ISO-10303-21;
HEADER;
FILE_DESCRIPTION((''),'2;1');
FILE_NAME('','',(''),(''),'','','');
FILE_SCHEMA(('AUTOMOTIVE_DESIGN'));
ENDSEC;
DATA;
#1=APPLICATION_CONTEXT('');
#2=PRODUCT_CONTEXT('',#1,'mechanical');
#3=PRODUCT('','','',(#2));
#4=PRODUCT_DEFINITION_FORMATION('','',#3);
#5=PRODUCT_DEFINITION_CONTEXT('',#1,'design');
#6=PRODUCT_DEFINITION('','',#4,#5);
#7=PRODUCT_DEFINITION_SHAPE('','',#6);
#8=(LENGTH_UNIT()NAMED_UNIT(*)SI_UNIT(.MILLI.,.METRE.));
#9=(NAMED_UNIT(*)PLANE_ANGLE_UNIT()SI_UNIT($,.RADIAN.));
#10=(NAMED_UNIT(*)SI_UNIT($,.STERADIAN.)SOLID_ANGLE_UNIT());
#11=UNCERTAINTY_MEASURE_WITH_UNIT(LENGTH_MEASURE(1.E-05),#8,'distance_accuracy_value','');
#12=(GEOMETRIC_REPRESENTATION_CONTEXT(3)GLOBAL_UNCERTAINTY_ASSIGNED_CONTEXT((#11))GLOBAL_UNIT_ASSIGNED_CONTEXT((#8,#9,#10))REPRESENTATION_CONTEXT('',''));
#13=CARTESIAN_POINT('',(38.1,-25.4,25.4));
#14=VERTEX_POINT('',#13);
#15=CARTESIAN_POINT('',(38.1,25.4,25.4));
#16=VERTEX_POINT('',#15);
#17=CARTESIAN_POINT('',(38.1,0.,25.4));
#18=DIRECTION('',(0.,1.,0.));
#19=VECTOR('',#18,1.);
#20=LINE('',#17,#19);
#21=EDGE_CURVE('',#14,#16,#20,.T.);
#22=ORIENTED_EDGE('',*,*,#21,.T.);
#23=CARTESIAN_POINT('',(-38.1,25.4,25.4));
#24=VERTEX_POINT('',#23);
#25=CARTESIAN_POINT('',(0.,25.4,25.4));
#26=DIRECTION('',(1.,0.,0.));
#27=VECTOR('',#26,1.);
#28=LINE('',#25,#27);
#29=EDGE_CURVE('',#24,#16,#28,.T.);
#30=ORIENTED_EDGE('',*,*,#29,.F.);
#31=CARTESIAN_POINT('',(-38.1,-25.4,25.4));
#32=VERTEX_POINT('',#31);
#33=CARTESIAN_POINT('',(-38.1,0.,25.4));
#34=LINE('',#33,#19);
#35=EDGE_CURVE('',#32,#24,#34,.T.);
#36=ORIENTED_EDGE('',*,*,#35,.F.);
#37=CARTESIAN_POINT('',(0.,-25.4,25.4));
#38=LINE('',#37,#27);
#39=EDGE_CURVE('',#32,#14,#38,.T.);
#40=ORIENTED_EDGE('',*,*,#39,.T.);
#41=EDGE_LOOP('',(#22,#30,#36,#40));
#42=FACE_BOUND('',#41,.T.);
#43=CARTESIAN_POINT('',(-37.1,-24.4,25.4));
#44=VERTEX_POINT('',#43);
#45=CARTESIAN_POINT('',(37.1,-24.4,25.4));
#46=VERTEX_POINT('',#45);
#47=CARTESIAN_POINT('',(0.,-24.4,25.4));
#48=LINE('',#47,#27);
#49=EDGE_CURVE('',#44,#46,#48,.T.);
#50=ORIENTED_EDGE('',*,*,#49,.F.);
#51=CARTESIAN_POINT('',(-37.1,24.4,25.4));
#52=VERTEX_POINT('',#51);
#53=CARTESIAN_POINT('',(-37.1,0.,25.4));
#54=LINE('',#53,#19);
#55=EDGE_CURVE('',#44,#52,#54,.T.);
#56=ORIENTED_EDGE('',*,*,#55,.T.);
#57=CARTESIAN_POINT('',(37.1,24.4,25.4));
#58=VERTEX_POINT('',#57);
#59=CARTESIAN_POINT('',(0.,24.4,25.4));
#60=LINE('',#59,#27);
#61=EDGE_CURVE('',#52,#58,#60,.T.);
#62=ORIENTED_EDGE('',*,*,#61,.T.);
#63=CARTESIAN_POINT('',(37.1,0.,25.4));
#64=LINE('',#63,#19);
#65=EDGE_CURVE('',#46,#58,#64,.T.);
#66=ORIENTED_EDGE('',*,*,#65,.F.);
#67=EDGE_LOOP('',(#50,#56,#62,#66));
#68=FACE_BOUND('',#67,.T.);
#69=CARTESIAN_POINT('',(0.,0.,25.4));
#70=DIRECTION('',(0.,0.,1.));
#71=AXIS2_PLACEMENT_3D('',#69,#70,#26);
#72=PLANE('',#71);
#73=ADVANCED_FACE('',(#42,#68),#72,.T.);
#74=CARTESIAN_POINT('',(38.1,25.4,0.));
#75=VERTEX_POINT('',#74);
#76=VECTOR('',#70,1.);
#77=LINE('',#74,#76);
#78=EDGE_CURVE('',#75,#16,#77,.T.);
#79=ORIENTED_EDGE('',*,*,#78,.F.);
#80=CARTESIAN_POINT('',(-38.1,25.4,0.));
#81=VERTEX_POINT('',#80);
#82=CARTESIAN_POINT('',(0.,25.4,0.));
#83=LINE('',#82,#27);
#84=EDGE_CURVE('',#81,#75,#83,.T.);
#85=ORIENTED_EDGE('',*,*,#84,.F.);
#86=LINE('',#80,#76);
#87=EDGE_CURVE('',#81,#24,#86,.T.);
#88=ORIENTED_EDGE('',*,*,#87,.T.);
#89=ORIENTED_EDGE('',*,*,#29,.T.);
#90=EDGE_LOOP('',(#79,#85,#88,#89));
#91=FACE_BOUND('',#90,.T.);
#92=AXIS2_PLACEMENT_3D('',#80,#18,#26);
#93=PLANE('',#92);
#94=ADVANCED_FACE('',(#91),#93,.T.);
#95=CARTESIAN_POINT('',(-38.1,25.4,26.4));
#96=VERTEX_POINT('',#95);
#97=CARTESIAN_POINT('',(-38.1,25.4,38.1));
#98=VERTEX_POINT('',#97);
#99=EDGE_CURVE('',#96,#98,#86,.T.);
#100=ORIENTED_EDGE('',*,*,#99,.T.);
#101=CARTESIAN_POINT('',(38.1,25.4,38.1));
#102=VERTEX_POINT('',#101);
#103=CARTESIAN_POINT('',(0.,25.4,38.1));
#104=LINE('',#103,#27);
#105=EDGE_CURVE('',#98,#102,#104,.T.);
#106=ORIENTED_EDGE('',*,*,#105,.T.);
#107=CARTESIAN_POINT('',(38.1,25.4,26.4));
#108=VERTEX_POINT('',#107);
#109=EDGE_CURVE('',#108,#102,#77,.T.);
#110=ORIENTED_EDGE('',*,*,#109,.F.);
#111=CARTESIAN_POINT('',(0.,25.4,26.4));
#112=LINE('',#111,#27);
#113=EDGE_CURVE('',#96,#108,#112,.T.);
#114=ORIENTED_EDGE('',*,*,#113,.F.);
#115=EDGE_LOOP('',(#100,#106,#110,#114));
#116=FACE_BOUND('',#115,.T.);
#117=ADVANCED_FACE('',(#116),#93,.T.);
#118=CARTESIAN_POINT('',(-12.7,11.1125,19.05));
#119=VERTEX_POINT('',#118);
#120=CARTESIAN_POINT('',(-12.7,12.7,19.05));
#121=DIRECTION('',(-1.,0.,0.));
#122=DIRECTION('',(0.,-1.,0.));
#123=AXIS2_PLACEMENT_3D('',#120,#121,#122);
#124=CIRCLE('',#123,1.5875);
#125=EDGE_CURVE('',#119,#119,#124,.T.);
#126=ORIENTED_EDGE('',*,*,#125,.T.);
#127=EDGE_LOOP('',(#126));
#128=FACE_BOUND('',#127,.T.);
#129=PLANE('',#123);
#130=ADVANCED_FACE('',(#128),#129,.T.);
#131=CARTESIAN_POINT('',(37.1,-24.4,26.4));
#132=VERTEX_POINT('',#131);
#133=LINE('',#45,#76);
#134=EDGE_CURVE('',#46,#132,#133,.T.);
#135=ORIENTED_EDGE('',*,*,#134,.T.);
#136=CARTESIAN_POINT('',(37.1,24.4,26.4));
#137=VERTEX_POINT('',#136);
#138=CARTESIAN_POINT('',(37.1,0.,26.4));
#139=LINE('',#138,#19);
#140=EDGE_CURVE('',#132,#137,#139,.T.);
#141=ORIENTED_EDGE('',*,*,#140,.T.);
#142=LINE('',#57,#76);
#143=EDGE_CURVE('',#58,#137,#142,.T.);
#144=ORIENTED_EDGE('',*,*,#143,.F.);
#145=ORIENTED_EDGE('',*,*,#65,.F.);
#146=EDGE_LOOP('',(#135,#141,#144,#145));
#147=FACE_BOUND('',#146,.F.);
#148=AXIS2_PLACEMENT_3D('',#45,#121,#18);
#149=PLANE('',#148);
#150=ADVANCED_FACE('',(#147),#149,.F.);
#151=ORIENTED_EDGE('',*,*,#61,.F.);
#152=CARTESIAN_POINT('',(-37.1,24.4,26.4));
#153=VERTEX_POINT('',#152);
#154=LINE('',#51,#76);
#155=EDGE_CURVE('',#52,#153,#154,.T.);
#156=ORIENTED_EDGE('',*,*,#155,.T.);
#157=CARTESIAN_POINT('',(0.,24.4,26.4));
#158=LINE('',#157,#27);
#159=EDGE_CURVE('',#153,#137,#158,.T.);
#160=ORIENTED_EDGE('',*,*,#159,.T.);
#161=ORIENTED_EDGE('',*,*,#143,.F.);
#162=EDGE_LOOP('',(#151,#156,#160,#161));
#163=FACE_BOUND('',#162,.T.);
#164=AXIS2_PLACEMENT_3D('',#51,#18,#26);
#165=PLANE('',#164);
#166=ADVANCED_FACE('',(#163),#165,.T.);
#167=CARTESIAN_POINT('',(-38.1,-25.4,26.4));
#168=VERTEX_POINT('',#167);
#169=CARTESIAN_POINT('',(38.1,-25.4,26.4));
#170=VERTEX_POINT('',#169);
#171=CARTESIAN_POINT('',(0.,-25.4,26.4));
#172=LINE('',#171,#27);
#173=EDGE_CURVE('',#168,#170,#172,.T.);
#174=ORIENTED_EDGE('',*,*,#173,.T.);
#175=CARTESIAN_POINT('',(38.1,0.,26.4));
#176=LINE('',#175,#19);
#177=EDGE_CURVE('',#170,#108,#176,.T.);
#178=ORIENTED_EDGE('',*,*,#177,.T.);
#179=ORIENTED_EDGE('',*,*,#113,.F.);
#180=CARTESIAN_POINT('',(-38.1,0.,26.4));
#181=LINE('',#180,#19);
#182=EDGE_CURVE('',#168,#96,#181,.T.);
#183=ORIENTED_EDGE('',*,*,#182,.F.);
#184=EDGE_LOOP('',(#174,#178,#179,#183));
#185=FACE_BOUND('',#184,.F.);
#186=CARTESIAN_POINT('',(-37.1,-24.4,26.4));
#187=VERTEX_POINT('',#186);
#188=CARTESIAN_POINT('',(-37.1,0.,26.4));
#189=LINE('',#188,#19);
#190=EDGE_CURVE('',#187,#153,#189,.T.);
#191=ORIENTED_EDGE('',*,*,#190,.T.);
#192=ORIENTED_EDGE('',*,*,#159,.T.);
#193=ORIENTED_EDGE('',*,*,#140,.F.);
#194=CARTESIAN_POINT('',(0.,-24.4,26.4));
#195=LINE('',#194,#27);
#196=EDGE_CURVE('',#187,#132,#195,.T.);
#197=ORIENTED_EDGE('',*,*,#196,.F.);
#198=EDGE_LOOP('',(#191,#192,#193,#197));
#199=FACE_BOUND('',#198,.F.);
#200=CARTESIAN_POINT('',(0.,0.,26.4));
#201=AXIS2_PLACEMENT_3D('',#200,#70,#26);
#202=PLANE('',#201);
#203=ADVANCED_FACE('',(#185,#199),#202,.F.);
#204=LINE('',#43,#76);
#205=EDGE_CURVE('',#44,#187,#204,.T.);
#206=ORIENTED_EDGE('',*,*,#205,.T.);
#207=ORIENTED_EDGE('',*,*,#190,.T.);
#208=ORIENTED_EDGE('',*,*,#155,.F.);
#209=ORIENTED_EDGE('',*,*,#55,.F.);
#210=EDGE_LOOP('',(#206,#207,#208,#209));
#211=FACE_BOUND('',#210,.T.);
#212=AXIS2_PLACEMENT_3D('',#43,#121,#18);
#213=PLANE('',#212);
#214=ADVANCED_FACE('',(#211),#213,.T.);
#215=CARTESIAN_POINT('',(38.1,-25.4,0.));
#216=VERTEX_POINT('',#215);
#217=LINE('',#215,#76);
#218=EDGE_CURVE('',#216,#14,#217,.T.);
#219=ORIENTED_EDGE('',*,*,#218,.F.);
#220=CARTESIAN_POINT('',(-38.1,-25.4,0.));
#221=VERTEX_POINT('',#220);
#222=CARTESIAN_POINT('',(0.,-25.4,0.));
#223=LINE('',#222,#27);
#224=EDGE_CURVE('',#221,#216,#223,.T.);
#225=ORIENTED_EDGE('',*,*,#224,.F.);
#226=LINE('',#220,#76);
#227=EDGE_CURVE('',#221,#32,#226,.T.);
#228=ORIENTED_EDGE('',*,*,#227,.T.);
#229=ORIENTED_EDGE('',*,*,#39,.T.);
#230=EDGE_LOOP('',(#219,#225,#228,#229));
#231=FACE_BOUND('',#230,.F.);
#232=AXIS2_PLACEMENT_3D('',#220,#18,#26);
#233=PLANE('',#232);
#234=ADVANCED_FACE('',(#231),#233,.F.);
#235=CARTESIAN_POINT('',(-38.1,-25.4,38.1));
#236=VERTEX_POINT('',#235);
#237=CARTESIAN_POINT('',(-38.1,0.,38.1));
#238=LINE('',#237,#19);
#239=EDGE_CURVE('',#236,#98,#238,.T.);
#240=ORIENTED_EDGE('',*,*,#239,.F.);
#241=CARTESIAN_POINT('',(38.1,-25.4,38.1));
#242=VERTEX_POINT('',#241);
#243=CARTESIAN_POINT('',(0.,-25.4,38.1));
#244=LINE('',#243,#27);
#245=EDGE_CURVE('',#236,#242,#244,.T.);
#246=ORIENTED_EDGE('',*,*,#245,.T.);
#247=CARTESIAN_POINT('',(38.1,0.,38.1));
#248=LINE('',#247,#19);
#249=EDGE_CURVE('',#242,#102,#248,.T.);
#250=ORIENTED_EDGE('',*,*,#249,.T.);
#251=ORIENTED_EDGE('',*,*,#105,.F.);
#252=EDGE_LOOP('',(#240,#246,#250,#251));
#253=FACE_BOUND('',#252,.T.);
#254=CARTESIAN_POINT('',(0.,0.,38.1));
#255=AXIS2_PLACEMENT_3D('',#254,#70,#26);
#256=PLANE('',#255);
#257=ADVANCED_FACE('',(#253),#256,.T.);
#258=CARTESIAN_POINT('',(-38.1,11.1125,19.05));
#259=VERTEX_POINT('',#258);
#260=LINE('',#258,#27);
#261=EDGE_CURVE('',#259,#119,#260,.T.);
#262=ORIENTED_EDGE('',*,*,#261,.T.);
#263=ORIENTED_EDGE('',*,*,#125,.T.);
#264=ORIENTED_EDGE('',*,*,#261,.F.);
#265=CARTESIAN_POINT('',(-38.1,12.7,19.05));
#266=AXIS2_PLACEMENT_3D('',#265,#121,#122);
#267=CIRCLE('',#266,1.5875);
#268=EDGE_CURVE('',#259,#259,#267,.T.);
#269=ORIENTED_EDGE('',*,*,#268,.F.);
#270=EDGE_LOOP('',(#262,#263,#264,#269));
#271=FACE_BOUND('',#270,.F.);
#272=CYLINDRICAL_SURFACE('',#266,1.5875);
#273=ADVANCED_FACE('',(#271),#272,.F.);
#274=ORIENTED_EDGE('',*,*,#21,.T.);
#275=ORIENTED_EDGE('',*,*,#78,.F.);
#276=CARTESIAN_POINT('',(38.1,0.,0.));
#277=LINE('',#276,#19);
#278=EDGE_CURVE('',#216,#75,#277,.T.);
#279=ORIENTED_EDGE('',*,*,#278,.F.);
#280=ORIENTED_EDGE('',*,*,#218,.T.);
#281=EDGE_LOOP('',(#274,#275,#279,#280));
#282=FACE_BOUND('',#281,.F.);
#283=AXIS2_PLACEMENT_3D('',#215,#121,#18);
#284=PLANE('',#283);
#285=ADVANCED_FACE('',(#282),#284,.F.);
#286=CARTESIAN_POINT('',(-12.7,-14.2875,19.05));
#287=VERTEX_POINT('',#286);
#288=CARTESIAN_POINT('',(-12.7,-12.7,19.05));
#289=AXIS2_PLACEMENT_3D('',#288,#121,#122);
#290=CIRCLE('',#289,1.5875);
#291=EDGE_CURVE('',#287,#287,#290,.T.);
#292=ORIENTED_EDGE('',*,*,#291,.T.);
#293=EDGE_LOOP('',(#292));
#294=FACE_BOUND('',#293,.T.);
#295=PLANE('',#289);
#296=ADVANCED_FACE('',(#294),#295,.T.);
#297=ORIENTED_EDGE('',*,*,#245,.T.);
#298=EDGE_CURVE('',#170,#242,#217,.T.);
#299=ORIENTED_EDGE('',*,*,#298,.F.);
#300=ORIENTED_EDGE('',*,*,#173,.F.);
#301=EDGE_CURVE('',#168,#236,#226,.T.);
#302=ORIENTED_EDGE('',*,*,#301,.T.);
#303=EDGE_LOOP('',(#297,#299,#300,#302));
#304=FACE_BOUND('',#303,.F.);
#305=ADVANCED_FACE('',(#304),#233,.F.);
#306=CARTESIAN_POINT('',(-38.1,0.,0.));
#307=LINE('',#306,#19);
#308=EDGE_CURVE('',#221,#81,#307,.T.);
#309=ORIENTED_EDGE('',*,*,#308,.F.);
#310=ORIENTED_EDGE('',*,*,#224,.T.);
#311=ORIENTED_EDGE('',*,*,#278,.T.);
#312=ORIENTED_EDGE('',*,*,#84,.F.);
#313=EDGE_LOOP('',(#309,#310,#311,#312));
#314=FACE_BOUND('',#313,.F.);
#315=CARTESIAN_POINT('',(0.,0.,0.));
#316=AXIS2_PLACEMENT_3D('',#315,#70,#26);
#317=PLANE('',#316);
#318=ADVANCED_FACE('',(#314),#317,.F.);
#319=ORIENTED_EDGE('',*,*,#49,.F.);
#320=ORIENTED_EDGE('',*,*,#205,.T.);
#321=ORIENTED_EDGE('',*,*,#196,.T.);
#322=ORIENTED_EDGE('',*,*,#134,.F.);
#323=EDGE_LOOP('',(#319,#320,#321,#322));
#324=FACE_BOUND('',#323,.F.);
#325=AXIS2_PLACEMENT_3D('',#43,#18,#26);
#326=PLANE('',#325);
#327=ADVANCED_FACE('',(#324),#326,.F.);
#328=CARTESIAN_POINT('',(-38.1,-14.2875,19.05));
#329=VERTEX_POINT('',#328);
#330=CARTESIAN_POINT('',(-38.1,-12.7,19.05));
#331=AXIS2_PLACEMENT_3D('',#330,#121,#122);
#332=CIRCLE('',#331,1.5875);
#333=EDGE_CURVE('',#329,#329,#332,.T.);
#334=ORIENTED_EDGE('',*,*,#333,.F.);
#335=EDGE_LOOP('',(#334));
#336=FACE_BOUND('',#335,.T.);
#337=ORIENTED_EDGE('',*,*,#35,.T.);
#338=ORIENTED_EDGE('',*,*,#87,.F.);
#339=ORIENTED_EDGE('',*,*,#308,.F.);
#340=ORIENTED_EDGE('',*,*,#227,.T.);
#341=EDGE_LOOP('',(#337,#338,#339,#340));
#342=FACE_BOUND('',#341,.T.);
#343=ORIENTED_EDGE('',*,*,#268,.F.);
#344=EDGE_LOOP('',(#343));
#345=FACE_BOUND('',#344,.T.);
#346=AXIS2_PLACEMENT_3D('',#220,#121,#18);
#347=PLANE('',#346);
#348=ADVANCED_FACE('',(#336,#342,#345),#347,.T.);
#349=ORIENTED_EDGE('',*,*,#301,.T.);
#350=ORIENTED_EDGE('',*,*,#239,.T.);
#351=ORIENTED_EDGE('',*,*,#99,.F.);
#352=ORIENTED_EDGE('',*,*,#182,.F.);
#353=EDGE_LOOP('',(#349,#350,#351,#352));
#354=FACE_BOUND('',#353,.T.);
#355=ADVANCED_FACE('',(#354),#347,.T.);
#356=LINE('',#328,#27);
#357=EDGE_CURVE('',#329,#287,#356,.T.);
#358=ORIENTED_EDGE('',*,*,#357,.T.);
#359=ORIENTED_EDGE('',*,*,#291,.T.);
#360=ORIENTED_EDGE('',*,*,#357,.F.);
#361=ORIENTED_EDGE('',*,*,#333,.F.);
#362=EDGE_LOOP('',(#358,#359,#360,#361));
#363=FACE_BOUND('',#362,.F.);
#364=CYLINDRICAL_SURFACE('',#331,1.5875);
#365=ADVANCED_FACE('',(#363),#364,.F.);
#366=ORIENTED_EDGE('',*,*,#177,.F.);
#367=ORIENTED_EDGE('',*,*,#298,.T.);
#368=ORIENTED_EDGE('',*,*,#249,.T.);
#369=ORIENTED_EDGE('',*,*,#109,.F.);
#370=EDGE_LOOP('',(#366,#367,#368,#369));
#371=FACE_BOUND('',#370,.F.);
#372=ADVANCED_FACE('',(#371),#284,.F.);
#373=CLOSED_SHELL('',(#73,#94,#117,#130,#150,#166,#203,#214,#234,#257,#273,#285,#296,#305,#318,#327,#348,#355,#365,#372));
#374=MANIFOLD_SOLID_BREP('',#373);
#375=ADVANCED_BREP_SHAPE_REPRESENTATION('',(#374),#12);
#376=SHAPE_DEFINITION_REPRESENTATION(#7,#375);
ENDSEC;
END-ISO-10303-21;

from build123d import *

# Parameters (mm, degrees)
F0_W     = 76.2
F0_H     = 50.8
F1_DEPTH = 38.1
F4_W     = 76.2
F4_H     = 50.8
F4_W_2   = 74.2
F4_H_2   = 48.8
F5_DEPTH = 1
F2_R     = 1.5875
F6_DEPTH = 25.4


with BuildPart() as f1:
    # F0 (on Top) → F1 (new body)
    with BuildSketch(Plane.XY):
        Rectangle(F0_W, F0_H)
    extrude(amount=F1_DEPTH)

    # F4 (on offset) → F5 (cut)
    with BuildSketch(Plane.XY.offset(25.4)):
        Rectangle(F4_W, F4_H)
        Rectangle(F4_W_2, F4_H_2, mode=Mode.SUBTRACT)
    extrude(amount=F5_DEPTH, mode=Mode.SUBTRACT)

    # F2 (on face) → F6 (cut)
    with BuildSketch(Plane(origin=(-38.1, 0, 0), x_dir=(0, -1, 0), z_dir=(-1, 0, 0))):
        with Locations((-12.7, 19.05)):
            Circle(F2_R)
        with Locations((12.7, 19.05)):
            Circle(F2_R)
    extrude(amount=-F6_DEPTH, mode=Mode.SUBTRACT)


solid = f1.part
